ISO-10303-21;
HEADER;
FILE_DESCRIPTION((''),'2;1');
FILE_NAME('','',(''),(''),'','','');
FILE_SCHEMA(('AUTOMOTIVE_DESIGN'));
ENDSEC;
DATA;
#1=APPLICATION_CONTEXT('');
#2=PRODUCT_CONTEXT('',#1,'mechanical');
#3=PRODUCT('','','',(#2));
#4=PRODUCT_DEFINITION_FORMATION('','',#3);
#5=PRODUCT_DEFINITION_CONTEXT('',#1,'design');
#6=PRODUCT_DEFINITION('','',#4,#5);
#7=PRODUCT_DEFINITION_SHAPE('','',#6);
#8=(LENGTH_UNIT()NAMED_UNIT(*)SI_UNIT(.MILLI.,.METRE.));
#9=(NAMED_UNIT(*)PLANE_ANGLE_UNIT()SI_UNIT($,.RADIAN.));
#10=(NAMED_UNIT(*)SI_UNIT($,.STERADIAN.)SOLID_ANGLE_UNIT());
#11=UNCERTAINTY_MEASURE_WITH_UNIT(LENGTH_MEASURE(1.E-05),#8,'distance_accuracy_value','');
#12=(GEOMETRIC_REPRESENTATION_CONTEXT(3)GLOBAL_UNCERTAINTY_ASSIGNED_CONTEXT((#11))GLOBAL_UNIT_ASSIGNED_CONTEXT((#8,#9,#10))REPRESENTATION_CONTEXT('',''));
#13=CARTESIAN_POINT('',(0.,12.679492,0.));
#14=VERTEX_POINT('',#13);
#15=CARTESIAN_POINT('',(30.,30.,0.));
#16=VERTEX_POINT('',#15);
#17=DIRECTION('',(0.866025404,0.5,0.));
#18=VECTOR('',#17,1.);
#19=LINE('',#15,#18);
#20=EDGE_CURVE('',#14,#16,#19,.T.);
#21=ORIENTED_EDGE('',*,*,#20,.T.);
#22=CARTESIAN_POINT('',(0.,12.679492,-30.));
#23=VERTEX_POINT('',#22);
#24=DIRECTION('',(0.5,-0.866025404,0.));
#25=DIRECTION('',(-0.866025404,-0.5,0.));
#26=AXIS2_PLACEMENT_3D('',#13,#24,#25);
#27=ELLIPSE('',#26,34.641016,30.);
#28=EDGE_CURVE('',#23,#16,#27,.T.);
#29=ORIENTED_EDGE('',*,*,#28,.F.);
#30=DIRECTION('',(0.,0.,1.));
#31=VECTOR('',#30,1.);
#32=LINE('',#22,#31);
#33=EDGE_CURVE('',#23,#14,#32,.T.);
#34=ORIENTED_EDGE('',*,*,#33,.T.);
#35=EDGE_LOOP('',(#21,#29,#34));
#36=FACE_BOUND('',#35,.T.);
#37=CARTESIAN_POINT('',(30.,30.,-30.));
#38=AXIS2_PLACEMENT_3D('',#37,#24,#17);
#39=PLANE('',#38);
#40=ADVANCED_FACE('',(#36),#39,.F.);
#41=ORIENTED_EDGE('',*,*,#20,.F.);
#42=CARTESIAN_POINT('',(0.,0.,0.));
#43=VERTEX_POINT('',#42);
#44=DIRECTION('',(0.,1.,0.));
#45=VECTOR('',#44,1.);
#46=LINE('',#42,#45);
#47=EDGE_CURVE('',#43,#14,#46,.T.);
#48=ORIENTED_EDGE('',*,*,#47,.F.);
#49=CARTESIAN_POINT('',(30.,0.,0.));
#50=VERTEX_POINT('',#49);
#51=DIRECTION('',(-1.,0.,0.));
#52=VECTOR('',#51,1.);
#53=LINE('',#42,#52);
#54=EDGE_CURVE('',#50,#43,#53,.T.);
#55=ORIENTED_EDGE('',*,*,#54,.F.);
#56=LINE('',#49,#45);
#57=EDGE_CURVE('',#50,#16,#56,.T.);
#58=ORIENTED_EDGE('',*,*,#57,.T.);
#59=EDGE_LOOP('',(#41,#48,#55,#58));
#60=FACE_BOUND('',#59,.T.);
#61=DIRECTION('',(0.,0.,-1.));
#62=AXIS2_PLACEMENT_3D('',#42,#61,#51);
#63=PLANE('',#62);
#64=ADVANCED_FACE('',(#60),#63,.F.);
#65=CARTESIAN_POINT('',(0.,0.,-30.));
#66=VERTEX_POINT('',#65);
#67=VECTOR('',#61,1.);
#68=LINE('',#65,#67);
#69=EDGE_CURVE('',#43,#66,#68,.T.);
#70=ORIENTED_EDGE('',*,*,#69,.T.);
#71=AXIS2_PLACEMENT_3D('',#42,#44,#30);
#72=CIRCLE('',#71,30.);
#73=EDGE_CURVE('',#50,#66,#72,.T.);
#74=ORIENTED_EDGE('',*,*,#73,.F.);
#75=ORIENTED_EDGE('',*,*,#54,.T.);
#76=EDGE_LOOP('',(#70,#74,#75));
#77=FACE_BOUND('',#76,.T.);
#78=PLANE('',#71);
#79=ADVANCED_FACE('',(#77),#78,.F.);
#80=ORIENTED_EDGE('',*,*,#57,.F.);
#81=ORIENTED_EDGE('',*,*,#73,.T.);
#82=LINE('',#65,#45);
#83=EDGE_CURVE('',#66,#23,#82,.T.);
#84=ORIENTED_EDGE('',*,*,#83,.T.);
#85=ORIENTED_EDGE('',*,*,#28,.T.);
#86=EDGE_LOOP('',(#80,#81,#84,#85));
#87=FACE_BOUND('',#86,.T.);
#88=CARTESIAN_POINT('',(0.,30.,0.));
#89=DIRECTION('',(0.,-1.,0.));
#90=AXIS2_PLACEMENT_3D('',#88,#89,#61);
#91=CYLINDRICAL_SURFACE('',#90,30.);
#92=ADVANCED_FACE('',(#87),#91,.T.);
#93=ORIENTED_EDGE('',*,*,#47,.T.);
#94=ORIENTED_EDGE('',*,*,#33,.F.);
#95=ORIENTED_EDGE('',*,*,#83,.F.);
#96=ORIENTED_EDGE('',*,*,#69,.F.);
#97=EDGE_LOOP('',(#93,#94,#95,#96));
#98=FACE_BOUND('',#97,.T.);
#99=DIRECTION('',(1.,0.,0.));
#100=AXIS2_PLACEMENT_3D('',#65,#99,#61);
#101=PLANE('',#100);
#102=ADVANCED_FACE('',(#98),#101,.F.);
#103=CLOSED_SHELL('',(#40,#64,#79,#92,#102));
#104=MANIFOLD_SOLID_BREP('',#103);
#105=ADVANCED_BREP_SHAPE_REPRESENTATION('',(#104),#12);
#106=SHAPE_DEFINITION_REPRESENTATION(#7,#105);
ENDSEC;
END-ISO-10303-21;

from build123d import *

# Parameters (mm, degrees)
ESBO_O1_R                = 30
RESSALTO_EXTRUS_O1_DEPTH = 30
CORTE_EXTRUS_O1_DEPTH    = 30
CORTE_EXTRUS_O2_DEPTH    = 31


with BuildPart() as part:
    # Esboço1 → Ressalto-extrusão1 (new body)
    with BuildSketch(Plane(origin=(0, 0, 0), x_dir=(1, 0, 0), z_dir=(0, 1, 0))):
        Circle(ESBO_O1_R)
    extrude(amount=RESSALTO_EXTRUS_O1_DEPTH)

    # Esboço2 → Corte-extrusão1 (cut)
    with BuildSketch(Plane(origin=(0, 30, 0), x_dir=(1, 0, 0), z_dir=(0, 1, 0))):
        with BuildLine():
            Line((0, 30), (0, 0))
            Line((0, 0), (30, 0))
            ThreePointArc((30, 0), (-21.213203436, -21.213203436), (0, 30))
        make_face()
    extrude(amount=-CORTE_EXTRUS_O1_DEPTH, mode=Mode.SUBTRACT)

    # Esboço3 → Corte-extrusão2 (cut, through all)
    with BuildSketch(Plane.XY):
        Polygon((30, 30), (0, 12.679491924), (0, 30), align=None)
    extrude(amount=-CORTE_EXTRUS_O2_DEPTH, mode=Mode.SUBTRACT)


solid = part.part
